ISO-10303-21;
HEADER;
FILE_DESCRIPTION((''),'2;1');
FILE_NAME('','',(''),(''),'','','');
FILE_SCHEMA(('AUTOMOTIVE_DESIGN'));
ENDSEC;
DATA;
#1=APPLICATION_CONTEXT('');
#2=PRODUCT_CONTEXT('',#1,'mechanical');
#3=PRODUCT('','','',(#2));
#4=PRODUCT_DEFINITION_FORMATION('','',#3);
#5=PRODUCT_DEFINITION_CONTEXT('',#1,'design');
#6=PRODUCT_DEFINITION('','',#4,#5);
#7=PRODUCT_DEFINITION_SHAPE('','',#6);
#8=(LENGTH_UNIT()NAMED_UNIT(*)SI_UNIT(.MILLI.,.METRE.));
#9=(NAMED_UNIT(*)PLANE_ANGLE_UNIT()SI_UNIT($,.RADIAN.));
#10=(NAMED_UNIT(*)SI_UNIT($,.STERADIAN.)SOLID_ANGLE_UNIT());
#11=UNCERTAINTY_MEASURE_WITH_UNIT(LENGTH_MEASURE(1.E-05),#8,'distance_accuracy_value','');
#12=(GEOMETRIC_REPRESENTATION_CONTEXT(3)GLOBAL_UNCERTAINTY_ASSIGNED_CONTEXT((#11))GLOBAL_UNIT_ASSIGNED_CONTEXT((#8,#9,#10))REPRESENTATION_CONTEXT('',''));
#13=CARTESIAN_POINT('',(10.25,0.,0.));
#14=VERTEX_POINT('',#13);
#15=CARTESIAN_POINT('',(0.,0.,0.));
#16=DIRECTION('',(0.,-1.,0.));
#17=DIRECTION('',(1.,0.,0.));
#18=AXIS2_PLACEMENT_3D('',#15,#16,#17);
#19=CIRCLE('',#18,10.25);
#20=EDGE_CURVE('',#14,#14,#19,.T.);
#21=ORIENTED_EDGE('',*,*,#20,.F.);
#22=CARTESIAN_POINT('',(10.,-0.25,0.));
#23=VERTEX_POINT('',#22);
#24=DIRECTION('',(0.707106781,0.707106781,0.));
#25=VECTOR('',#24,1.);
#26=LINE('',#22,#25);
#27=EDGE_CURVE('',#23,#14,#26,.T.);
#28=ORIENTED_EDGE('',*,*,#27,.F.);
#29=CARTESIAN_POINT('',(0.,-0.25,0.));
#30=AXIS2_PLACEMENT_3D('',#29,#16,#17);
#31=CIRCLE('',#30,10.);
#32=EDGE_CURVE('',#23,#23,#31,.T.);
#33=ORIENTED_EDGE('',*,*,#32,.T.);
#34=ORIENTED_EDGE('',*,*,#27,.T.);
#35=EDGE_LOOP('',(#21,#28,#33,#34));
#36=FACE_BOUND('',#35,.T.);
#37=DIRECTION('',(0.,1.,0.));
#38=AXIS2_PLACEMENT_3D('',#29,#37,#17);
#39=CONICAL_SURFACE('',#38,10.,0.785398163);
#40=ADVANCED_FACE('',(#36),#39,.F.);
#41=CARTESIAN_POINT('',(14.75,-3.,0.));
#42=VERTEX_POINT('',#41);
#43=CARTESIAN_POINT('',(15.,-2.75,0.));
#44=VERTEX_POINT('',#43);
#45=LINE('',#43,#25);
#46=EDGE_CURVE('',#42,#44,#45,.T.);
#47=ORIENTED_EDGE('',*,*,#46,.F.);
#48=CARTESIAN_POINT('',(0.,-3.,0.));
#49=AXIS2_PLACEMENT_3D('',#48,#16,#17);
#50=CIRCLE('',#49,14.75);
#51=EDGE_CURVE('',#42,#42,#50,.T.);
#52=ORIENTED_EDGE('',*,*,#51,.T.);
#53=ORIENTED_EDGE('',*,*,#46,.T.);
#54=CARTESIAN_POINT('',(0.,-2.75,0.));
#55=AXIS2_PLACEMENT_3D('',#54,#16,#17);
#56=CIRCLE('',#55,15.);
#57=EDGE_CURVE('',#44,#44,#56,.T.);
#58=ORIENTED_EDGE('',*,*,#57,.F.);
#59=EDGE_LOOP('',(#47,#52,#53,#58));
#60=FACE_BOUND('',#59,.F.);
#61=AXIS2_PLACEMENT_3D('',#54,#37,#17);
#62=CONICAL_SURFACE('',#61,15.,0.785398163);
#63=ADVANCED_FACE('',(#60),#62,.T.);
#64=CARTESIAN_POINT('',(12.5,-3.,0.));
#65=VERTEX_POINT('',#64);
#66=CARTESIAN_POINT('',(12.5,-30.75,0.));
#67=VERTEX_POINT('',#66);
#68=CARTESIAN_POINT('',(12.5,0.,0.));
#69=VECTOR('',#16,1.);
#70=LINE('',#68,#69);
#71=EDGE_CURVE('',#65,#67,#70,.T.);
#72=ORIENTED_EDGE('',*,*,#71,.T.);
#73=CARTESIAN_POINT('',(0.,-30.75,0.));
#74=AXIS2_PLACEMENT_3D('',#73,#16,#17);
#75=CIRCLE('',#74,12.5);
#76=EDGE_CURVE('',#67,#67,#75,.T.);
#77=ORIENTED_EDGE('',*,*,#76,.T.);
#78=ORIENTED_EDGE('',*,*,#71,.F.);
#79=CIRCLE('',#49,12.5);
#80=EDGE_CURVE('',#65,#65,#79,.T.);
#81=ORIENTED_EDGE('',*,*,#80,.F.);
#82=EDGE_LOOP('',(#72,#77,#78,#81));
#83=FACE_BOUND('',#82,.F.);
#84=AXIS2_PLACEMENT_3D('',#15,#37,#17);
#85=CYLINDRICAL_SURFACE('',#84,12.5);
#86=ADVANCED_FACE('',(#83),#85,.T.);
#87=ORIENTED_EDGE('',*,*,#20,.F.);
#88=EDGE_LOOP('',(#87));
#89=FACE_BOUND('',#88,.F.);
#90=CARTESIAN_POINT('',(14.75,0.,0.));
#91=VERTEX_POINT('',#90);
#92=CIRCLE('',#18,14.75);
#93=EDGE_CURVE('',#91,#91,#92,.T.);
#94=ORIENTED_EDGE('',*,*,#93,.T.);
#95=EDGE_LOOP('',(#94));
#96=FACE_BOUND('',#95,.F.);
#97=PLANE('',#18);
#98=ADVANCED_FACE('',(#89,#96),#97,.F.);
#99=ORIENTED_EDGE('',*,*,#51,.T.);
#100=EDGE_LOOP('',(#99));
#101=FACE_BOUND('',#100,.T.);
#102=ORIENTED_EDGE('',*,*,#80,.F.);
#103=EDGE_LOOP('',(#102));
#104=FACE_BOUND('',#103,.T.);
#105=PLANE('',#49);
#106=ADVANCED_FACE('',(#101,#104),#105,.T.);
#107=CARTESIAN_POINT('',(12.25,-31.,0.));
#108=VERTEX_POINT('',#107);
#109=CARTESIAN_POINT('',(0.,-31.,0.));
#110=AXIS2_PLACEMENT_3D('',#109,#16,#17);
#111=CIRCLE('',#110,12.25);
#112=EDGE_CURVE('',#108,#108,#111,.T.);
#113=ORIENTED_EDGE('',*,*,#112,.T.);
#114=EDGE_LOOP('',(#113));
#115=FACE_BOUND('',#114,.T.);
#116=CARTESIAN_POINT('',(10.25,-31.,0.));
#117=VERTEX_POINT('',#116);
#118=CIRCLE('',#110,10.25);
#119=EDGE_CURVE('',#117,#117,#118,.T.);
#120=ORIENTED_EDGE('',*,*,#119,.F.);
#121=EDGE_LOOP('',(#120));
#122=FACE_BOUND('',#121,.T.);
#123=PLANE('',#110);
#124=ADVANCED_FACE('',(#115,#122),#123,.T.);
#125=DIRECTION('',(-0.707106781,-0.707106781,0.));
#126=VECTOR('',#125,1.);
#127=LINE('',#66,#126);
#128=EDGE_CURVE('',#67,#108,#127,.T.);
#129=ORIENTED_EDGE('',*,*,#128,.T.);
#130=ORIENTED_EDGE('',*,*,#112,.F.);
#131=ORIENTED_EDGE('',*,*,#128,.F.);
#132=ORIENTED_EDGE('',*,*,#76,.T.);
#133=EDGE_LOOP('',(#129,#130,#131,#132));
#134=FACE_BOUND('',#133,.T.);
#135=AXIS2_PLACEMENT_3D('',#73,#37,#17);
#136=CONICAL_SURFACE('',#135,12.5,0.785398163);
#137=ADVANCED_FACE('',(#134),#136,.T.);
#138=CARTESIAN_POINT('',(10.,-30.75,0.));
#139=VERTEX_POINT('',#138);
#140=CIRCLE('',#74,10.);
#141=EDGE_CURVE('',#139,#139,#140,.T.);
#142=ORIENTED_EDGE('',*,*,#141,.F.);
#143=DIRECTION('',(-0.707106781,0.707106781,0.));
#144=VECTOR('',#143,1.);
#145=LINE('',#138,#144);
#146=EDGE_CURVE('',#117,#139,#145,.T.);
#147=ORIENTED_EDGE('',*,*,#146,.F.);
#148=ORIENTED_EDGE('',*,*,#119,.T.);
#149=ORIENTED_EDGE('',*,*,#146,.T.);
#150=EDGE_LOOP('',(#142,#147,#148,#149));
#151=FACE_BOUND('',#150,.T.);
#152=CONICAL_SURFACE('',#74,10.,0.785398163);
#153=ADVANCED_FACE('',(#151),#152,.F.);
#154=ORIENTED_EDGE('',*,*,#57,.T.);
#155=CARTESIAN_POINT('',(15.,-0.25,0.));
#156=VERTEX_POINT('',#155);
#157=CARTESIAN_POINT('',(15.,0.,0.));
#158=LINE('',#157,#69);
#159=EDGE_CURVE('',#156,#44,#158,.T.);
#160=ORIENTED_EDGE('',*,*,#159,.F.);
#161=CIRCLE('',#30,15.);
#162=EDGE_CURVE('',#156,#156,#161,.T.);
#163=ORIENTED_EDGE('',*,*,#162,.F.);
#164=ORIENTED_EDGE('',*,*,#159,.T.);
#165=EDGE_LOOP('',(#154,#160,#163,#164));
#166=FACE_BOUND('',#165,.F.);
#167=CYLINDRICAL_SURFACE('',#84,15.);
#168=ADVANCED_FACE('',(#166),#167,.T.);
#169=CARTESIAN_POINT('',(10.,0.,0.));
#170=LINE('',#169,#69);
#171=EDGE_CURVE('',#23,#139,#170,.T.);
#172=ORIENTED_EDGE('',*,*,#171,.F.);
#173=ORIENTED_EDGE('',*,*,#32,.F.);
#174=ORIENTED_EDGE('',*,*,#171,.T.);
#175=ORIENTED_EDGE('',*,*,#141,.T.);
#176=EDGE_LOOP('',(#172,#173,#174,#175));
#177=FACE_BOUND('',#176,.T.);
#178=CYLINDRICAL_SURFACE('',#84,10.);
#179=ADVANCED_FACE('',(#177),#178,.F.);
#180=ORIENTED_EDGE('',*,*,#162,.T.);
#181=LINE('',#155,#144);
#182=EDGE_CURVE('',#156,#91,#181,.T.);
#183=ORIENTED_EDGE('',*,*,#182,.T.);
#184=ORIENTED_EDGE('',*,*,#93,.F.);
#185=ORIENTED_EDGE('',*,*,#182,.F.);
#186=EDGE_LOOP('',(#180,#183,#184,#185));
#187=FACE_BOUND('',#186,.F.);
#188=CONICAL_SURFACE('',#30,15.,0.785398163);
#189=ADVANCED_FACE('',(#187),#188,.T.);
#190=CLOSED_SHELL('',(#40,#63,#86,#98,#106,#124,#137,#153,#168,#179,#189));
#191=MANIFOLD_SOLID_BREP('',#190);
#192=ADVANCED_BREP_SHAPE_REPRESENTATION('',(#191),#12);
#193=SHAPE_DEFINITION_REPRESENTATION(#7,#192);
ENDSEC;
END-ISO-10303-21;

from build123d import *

# Parameters (mm, degrees)
F0_R     = 15
F0_R_2   = 12.5
F1_DEPTH = 3
F0_R_3   = 10
F2_DEPTH = 31
F3_SIZE  = 0.25


with BuildPart() as f1:
    # F0 (on Front) → F1 (new body)
    with BuildSketch(Plane.XZ):
        Circle(F0_R)
        Circle(F0_R_2, mode=Mode.SUBTRACT)
    extrude(amount=F1_DEPTH)

    # F0 (on Front) → F2 (join)
    with BuildSketch(Plane.XZ):
        Circle(F0_R_2)
        Circle(F0_R_3, mode=Mode.SUBTRACT)
    extrude(amount=F2_DEPTH)

    # F3
    f3_edges = [f1.edges().sort_by_distance(p)[0] for p in [
        (-12.5, -31, 0),
        (-10, -31, 0),
        (-15, 0, 0),
        (-10, 0, 0),
        (-15, -3, 0),
    ]]
    chamfer(f3_edges, length=F3_SIZE)


solid = f1.part
